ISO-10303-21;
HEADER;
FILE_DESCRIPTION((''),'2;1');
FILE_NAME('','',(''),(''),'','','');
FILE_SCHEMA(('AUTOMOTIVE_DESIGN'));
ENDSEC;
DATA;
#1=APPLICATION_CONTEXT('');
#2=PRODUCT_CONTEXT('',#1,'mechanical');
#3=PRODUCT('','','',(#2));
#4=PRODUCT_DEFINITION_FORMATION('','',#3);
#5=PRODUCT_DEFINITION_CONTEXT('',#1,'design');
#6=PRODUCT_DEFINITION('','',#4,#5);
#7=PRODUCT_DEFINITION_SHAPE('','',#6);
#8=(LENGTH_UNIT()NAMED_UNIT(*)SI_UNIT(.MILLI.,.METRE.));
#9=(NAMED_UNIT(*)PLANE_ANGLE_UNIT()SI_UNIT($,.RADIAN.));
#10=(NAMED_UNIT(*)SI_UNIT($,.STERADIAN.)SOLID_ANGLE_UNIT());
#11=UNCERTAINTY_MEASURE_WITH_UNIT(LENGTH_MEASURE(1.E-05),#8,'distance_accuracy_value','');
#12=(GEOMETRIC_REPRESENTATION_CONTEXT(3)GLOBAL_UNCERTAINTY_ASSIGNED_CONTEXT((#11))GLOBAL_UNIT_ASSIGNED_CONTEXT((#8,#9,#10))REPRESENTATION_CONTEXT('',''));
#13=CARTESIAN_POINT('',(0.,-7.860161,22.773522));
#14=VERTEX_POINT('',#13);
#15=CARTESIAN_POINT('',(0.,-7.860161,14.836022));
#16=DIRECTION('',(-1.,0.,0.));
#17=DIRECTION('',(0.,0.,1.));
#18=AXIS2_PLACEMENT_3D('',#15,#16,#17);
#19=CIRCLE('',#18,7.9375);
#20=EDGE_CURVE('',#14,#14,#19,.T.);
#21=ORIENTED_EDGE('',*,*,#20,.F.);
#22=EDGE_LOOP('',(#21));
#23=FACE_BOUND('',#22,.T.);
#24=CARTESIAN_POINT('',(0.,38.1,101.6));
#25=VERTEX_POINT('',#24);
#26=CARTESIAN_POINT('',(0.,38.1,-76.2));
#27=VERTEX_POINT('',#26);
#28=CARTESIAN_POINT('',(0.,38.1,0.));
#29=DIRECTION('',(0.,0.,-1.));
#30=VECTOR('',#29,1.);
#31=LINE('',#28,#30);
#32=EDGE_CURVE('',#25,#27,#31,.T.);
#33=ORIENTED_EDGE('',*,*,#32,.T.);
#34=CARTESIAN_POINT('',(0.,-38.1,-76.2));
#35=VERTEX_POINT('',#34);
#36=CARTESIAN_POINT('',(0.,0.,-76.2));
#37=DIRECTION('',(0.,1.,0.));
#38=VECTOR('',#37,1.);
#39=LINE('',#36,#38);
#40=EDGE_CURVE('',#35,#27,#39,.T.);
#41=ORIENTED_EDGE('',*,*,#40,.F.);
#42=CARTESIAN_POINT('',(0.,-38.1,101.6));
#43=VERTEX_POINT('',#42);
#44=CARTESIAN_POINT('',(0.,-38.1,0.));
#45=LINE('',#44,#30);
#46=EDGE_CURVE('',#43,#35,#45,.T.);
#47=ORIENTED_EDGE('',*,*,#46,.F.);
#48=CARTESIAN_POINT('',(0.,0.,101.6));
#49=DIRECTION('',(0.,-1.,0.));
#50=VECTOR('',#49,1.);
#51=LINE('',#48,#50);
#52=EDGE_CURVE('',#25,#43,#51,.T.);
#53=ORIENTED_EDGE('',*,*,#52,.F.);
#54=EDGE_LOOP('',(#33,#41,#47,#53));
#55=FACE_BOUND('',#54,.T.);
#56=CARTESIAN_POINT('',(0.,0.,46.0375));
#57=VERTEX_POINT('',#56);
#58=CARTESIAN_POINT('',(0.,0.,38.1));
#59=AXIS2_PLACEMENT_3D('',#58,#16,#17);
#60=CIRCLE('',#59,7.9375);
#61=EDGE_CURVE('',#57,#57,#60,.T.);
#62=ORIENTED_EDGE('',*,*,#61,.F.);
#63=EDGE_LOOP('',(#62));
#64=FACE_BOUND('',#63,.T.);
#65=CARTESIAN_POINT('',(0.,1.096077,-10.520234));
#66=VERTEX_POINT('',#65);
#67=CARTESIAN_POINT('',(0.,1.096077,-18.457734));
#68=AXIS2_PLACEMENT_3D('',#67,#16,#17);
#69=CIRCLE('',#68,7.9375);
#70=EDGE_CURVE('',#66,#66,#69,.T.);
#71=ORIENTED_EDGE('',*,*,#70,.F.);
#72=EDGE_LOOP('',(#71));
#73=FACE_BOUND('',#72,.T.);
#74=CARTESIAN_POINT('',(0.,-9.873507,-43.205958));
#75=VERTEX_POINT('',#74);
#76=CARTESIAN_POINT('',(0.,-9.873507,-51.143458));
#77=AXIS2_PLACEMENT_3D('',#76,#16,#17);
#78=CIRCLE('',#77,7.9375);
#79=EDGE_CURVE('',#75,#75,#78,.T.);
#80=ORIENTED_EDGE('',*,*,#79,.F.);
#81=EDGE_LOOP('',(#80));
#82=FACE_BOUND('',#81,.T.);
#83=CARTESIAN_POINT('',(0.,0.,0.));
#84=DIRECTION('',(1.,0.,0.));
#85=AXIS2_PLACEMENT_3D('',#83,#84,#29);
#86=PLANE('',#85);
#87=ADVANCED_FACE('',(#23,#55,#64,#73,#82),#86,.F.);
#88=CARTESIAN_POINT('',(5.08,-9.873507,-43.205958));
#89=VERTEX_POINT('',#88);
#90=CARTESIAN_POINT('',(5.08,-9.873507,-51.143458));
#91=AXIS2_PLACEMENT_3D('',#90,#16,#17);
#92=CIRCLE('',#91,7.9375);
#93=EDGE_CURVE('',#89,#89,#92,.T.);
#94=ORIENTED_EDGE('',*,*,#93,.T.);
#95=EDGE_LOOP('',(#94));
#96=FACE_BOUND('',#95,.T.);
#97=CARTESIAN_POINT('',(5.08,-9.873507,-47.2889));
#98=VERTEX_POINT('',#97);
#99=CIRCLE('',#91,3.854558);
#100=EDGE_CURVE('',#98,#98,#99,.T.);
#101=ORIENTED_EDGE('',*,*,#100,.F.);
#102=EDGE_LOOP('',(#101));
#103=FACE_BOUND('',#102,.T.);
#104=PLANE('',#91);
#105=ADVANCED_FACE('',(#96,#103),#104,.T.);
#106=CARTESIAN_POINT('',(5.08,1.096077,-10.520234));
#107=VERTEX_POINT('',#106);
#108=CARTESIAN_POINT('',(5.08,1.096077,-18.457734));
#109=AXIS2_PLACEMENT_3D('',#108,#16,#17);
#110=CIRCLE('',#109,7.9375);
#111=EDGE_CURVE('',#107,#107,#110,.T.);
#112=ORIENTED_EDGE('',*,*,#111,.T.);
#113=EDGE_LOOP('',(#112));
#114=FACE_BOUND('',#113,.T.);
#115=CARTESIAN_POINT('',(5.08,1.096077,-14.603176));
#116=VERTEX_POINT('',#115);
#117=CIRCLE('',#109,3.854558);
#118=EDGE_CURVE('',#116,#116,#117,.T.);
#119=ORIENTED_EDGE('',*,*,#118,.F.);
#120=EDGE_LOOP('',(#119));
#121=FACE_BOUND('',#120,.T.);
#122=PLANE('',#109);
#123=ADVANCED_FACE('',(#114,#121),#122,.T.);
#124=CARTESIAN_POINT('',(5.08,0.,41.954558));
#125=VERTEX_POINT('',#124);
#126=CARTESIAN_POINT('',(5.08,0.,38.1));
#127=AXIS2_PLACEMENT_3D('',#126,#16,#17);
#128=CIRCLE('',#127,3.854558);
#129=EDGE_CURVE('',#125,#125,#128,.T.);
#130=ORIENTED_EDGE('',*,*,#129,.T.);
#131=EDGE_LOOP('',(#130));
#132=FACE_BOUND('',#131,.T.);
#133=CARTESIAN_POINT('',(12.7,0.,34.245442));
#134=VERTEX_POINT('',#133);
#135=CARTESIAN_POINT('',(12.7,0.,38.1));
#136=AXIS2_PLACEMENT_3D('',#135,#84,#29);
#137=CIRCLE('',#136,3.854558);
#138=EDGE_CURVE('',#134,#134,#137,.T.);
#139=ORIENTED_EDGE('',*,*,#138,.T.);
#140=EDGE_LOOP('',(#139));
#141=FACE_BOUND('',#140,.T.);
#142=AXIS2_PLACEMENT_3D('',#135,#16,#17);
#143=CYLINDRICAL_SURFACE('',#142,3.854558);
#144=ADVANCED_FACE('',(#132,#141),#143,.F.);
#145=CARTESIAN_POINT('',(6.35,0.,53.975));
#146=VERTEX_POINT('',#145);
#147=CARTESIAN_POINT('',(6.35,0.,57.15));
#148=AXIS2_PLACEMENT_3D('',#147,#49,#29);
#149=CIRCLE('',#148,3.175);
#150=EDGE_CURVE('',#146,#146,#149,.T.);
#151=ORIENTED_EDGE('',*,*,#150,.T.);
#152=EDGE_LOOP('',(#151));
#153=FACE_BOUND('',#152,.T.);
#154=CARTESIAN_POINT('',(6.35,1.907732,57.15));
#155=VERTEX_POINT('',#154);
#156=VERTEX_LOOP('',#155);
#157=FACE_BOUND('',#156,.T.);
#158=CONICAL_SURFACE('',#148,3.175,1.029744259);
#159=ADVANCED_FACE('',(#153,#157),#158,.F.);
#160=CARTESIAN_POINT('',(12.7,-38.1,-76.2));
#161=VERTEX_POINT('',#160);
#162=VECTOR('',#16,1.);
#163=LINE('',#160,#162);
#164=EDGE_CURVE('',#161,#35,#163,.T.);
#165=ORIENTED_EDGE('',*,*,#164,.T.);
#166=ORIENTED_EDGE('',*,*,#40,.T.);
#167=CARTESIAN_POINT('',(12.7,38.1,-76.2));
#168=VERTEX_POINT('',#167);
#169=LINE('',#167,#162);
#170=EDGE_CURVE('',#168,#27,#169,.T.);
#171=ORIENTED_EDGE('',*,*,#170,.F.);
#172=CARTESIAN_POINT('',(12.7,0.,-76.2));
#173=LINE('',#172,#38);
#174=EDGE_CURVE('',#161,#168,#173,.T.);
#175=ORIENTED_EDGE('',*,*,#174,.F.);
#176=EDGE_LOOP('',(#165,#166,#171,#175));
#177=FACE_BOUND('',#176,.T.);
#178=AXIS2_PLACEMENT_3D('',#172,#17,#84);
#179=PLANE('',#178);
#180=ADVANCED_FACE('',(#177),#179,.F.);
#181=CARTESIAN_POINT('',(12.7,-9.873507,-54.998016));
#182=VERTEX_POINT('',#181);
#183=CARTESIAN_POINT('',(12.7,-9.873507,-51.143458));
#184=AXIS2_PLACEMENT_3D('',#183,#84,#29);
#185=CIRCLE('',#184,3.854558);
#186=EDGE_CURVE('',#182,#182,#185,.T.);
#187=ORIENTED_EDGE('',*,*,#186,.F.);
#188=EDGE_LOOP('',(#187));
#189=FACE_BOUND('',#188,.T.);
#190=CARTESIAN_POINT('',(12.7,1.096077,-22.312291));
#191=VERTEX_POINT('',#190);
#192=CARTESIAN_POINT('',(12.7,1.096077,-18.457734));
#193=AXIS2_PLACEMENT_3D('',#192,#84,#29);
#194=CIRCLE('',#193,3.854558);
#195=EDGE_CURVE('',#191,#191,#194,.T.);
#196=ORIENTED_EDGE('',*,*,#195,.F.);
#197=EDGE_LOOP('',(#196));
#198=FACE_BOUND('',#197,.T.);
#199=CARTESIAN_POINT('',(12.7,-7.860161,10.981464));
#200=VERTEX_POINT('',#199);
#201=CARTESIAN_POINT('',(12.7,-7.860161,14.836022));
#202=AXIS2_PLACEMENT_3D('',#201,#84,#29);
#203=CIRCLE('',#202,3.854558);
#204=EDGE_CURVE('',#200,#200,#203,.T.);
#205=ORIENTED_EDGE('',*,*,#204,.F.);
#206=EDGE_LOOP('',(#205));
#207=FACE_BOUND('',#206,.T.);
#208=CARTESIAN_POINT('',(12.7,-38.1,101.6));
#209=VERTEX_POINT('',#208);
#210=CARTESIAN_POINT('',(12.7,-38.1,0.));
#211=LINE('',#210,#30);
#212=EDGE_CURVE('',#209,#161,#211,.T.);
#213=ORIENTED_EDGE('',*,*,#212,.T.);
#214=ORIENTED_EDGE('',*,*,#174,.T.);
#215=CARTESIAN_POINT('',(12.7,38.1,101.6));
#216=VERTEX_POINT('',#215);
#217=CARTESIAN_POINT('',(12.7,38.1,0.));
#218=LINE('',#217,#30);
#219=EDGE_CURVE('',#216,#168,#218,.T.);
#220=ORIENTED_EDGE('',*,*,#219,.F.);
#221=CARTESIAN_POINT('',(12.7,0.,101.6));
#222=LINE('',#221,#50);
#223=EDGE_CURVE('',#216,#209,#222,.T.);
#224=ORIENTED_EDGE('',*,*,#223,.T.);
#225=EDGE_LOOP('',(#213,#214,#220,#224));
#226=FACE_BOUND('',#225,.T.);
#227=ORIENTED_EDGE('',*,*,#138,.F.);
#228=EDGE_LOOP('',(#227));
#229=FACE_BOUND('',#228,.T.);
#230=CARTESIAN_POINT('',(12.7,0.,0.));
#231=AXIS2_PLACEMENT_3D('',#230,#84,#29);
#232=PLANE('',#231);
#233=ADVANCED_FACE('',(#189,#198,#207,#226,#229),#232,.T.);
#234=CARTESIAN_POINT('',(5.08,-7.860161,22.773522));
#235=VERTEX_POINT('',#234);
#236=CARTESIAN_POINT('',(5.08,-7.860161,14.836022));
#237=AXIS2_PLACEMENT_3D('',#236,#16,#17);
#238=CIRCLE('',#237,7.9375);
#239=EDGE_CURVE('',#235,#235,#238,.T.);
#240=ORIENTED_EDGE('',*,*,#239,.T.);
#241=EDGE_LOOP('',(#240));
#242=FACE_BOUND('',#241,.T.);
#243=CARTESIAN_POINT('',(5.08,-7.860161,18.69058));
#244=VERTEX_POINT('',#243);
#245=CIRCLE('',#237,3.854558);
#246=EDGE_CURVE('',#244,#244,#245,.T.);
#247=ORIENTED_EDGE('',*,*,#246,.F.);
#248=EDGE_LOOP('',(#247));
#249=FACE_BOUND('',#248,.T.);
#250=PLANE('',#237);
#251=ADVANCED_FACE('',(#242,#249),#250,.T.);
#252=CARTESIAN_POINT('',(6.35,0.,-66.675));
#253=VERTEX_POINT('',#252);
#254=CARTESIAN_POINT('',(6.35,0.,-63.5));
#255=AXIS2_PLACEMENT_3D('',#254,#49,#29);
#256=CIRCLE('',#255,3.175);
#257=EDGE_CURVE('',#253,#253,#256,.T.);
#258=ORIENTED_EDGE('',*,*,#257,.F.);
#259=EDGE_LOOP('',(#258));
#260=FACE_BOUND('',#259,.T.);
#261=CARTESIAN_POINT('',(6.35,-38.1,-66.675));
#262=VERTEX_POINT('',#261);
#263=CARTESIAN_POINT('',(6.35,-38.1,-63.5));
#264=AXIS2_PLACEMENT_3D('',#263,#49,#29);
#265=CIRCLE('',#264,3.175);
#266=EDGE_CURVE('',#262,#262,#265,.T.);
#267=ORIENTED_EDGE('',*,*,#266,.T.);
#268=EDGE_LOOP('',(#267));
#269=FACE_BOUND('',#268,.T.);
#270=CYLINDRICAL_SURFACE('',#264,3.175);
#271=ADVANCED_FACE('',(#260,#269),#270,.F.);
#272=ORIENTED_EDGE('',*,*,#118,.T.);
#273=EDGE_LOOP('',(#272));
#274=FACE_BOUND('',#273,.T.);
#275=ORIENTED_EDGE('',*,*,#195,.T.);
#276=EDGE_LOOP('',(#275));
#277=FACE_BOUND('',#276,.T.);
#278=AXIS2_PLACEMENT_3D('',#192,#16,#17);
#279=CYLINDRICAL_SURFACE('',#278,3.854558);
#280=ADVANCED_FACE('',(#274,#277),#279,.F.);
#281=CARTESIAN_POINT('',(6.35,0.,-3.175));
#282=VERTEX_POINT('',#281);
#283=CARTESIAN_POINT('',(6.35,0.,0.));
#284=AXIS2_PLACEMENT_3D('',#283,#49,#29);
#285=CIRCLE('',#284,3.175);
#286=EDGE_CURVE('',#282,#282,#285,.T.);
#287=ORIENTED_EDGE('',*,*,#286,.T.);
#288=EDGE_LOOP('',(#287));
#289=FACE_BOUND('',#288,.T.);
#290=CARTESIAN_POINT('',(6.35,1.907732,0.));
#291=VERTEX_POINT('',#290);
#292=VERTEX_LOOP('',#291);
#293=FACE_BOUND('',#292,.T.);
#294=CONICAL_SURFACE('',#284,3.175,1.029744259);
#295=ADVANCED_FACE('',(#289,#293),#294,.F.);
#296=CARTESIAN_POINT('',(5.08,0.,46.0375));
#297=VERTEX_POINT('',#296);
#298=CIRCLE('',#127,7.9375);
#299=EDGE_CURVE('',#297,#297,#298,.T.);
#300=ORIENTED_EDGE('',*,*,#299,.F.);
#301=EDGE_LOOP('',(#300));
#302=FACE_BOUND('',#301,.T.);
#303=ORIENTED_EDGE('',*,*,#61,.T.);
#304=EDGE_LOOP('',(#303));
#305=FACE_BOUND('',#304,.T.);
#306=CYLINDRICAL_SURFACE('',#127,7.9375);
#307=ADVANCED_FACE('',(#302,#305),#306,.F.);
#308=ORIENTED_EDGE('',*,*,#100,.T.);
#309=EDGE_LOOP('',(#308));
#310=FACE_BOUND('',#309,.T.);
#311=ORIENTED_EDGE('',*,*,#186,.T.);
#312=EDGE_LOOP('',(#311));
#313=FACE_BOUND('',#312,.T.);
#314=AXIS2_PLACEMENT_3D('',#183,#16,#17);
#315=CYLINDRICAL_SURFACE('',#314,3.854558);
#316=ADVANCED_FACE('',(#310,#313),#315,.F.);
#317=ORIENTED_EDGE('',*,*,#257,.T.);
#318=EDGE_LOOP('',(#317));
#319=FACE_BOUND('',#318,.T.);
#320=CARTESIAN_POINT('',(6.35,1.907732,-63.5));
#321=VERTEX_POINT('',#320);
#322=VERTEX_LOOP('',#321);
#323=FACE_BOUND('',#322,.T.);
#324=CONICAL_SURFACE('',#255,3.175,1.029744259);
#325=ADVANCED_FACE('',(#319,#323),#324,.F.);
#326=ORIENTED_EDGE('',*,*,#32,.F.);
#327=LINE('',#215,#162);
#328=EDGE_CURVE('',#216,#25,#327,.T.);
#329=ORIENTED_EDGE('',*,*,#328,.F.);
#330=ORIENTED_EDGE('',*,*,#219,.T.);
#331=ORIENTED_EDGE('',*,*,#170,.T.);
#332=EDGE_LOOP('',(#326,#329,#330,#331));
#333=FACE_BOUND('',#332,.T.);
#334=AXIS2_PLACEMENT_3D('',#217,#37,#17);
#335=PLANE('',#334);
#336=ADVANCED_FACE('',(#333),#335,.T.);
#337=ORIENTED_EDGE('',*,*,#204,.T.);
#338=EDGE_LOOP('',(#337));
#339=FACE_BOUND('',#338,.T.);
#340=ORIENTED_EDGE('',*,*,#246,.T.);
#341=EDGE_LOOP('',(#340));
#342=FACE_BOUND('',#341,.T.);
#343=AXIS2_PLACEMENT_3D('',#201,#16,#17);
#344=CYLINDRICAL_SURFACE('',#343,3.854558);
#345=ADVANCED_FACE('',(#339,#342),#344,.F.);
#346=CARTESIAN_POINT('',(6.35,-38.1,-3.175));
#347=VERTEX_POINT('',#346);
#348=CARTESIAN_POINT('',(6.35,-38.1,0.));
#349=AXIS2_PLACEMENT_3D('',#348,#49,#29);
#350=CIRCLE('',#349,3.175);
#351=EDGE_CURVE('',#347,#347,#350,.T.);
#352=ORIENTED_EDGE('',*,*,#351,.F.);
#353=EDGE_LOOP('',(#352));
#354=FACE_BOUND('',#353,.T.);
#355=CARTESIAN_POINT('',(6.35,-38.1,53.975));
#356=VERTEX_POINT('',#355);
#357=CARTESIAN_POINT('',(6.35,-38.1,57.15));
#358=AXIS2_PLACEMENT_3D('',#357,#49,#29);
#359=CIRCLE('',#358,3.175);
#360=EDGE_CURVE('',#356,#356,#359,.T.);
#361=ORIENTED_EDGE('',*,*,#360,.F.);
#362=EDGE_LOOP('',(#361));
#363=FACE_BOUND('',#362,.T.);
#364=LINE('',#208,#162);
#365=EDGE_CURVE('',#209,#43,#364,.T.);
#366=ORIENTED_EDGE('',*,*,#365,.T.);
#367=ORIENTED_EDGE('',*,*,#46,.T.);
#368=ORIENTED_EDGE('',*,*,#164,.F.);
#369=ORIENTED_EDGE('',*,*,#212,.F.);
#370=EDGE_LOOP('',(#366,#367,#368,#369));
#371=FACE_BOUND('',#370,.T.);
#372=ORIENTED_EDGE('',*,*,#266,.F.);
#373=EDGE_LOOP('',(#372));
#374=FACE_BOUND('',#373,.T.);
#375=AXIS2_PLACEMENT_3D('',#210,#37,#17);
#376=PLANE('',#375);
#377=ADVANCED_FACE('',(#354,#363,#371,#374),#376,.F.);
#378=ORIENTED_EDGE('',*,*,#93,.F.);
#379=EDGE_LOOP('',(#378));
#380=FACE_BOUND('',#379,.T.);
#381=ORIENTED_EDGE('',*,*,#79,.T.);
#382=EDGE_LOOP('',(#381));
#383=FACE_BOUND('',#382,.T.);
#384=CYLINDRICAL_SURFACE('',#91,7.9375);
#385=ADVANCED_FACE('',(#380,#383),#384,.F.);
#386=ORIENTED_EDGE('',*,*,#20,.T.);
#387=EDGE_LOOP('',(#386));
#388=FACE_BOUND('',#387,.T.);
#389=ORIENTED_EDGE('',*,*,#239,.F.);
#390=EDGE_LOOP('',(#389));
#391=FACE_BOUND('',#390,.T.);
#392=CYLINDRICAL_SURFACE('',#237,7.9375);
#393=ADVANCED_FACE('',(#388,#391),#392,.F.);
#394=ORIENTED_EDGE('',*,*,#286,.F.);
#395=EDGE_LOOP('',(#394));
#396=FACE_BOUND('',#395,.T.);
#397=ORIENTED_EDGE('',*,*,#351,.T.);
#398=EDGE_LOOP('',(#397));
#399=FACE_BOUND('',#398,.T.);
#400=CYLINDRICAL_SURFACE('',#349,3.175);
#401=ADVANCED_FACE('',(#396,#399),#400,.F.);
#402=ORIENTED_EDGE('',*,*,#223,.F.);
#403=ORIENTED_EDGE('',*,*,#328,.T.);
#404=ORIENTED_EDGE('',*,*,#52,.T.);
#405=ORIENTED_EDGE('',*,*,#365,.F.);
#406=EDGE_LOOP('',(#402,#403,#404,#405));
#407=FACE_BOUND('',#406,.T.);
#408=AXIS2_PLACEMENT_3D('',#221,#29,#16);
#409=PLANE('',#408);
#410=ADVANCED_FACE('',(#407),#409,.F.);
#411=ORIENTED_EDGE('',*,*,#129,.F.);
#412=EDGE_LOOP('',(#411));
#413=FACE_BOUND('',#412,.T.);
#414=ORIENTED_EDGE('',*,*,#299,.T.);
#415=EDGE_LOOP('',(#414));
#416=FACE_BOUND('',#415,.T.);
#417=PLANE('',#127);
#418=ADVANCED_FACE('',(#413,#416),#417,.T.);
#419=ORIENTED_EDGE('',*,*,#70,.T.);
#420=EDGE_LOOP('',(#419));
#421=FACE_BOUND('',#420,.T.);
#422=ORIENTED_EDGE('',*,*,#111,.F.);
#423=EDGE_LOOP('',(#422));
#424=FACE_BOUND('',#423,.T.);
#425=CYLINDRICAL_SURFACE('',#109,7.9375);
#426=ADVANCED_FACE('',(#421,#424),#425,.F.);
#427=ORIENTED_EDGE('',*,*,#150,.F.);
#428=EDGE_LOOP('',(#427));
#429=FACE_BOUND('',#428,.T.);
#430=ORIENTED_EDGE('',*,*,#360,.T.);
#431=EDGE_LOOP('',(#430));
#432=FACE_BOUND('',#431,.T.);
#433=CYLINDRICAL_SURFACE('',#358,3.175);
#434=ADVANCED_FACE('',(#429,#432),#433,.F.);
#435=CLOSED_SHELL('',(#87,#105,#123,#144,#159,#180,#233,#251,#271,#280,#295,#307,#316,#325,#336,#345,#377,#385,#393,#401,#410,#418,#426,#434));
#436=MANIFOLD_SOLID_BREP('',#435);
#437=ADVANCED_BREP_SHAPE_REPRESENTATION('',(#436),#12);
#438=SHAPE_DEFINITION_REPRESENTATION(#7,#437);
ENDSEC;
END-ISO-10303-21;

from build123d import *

# Parameters (mm, degrees)
SKETCH1_W                       = 177.8
SKETCH1_H                       = 76.2
SKETCH1_R                       = 3.854557775
BOSS_EXTRUDE1_DEPTH             = 12.7
F_1_4_0_25_DIAMETER_HOLE2_D     = 6.35
F_1_4_0_25_DIAMETER_HOLE2_DEPTH = 38.1
F_1_4_0_25_DIAMETER_HOLE2_TIP   = 1.907732465
SKETCH2_R                       = 7.9375
CUT_EXTRUDE1_DEPTH              = 5.08


with BuildPart() as part:
    # Sketch1 → Boss-Extrude1 (new body)
    with BuildSketch(Plane(origin=(0, 0, 0), x_dir=(0, 0, -1), z_dir=(1, 0, 0))):
        with Locations((-12.7, 0)):
            Rectangle(SKETCH1_W, SKETCH1_H)
        with Locations((18.457733582, 1.096077429)):
            Circle(SKETCH1_R, mode=Mode.SUBTRACT)
        with Locations((-38.1, 0)):
            Circle(SKETCH1_R, mode=Mode.SUBTRACT)
        with Locations((-14.836022013, -7.860160654)):
            Circle(SKETCH1_R, mode=Mode.SUBTRACT)
        with Locations((51.143457994, -9.873506971)):
            Circle(SKETCH1_R, mode=Mode.SUBTRACT)
    extrude(amount=BOSS_EXTRUDE1_DEPTH)

    # 1/4 (0.25) Diameter Hole2
    with Locations(Plane.XZ.offset(38.1)):
        with Locations((6.35, 57.15), (6.35, -63.5), (6.35, 0)):
            Hole(F_1_4_0_25_DIAMETER_HOLE2_D / 2, depth=F_1_4_0_25_DIAMETER_HOLE2_DEPTH)
            with Locations((0, 0, -(F_1_4_0_25_DIAMETER_HOLE2_DEPTH + F_1_4_0_25_DIAMETER_HOLE2_TIP / 2))):  # 118° drill point
                Cone(0, F_1_4_0_25_DIAMETER_HOLE2_D / 2, F_1_4_0_25_DIAMETER_HOLE2_TIP, mode=Mode.SUBTRACT)

    # Sketch2 → Cut-Extrude1 (cut)
    with BuildSketch(Plane.ZY):
        with Locations((38.1, 0)):
            Circle(SKETCH2_R)
        with Locations((14.836022013, -7.860160654)):
            Circle(SKETCH2_R)
        with Locations((-18.457733582, 1.096077429)):
            Circle(SKETCH2_R)
        with Locations((-51.143457994, -9.873506971)):
            Circle(SKETCH2_R)
    extrude(amount=-CUT_EXTRUDE1_DEPTH, mode=Mode.SUBTRACT)


solid = part.part
